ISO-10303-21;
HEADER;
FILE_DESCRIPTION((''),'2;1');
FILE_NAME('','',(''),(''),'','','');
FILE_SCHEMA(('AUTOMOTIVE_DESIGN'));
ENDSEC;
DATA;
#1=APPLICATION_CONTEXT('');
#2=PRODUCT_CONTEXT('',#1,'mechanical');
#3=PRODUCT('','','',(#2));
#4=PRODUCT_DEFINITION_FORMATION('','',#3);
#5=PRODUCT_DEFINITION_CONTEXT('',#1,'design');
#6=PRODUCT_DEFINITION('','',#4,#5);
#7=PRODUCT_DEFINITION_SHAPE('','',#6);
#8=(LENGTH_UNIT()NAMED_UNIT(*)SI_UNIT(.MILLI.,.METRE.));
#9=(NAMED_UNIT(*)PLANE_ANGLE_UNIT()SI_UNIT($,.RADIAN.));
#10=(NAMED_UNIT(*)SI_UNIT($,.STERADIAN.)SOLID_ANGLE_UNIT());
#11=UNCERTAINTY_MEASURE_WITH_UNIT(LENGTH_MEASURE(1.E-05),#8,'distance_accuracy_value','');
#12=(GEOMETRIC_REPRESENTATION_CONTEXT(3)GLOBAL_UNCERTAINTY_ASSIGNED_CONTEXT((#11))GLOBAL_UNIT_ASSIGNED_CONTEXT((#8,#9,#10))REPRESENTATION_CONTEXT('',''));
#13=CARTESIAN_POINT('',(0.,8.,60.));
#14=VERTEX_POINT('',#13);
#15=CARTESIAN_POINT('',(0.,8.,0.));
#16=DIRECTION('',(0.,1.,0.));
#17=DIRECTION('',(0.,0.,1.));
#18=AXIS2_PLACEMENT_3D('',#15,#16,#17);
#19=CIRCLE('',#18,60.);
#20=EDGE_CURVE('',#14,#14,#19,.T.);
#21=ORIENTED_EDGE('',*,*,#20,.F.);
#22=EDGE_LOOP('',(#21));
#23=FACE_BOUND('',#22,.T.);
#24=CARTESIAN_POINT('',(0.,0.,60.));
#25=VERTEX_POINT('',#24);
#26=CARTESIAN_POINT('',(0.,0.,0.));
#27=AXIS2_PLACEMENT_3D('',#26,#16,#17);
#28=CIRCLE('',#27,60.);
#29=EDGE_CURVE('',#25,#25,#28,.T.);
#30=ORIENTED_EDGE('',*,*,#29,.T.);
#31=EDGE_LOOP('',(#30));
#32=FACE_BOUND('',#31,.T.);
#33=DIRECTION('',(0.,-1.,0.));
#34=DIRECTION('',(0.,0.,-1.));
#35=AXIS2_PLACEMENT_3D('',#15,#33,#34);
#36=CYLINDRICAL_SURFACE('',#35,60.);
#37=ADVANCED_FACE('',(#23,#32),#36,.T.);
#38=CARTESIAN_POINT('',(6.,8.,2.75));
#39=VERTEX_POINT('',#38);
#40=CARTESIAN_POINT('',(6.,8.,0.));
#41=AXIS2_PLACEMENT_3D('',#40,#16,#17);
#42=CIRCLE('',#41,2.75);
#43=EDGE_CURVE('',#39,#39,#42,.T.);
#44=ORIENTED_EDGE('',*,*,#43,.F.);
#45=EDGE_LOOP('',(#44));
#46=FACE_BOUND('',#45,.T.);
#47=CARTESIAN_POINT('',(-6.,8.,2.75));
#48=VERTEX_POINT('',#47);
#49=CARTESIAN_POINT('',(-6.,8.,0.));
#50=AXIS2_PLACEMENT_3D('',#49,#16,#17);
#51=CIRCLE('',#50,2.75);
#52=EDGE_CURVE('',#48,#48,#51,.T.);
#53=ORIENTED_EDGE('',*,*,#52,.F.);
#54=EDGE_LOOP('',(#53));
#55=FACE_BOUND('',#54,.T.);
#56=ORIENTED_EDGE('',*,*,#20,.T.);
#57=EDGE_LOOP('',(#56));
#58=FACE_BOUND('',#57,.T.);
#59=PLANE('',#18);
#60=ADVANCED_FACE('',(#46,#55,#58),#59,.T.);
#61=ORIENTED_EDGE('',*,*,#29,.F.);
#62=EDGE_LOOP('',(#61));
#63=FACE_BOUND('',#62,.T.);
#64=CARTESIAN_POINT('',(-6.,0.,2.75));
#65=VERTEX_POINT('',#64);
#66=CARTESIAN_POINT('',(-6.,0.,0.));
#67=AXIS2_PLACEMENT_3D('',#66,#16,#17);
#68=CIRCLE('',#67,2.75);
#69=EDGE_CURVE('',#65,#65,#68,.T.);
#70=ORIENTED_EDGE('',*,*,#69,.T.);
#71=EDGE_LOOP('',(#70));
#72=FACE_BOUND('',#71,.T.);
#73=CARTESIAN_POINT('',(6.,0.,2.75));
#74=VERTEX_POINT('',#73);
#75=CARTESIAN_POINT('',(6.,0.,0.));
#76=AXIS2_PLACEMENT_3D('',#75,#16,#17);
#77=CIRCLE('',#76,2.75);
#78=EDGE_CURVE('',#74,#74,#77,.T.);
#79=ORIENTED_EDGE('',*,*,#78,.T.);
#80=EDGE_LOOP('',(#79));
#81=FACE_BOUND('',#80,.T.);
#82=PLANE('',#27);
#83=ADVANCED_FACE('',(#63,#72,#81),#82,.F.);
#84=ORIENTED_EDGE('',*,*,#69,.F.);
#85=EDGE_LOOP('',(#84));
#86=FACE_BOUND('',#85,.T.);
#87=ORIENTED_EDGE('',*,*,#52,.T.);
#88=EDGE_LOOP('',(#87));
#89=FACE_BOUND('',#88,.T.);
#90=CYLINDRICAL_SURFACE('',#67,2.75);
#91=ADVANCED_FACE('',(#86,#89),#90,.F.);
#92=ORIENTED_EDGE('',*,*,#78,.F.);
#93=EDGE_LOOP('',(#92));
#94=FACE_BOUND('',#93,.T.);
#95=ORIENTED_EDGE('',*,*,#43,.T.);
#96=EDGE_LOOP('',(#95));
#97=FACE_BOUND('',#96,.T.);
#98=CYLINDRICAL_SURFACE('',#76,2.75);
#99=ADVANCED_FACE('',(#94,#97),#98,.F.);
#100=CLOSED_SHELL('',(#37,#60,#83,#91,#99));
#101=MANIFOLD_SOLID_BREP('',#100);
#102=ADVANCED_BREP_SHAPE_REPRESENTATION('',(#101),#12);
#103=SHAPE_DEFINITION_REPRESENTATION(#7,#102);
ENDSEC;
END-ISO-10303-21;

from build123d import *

# Parameters (mm, degrees)
SKETCH1_R           = 60
BOSS_EXTRUDE1_DEPTH = 8
SKETCH2_R           = 2.75
CUT_EXTRUDE1_DEPTH  = 8


with BuildPart() as part:
    # Sketch1 → Boss-Extrude1 (new body)
    with BuildSketch(Plane(origin=(0, 0, 0), x_dir=(1, 0, 0), z_dir=(0, 1, 0))):
        with Locations(Location((0, 0, 0), (0, 0, 270))):
            Circle(SKETCH1_R)
    extrude(amount=BOSS_EXTRUDE1_DEPTH)

    # Sketch2 → Cut-Extrude1 (cut)
    with BuildSketch(Plane(origin=(0, 8, 0), x_dir=(1, 0, 0), z_dir=(0, 1, 0))):
        with Locations(Location((6, 0, 0), (0, 0, 270))):
            Circle(SKETCH2_R)
        with Locations(Location((-6, 0, 0), (0, 0, 270))):
            Circle(SKETCH2_R)
    extrude(amount=-CUT_EXTRUDE1_DEPTH, mode=Mode.SUBTRACT)


solid = part.part
